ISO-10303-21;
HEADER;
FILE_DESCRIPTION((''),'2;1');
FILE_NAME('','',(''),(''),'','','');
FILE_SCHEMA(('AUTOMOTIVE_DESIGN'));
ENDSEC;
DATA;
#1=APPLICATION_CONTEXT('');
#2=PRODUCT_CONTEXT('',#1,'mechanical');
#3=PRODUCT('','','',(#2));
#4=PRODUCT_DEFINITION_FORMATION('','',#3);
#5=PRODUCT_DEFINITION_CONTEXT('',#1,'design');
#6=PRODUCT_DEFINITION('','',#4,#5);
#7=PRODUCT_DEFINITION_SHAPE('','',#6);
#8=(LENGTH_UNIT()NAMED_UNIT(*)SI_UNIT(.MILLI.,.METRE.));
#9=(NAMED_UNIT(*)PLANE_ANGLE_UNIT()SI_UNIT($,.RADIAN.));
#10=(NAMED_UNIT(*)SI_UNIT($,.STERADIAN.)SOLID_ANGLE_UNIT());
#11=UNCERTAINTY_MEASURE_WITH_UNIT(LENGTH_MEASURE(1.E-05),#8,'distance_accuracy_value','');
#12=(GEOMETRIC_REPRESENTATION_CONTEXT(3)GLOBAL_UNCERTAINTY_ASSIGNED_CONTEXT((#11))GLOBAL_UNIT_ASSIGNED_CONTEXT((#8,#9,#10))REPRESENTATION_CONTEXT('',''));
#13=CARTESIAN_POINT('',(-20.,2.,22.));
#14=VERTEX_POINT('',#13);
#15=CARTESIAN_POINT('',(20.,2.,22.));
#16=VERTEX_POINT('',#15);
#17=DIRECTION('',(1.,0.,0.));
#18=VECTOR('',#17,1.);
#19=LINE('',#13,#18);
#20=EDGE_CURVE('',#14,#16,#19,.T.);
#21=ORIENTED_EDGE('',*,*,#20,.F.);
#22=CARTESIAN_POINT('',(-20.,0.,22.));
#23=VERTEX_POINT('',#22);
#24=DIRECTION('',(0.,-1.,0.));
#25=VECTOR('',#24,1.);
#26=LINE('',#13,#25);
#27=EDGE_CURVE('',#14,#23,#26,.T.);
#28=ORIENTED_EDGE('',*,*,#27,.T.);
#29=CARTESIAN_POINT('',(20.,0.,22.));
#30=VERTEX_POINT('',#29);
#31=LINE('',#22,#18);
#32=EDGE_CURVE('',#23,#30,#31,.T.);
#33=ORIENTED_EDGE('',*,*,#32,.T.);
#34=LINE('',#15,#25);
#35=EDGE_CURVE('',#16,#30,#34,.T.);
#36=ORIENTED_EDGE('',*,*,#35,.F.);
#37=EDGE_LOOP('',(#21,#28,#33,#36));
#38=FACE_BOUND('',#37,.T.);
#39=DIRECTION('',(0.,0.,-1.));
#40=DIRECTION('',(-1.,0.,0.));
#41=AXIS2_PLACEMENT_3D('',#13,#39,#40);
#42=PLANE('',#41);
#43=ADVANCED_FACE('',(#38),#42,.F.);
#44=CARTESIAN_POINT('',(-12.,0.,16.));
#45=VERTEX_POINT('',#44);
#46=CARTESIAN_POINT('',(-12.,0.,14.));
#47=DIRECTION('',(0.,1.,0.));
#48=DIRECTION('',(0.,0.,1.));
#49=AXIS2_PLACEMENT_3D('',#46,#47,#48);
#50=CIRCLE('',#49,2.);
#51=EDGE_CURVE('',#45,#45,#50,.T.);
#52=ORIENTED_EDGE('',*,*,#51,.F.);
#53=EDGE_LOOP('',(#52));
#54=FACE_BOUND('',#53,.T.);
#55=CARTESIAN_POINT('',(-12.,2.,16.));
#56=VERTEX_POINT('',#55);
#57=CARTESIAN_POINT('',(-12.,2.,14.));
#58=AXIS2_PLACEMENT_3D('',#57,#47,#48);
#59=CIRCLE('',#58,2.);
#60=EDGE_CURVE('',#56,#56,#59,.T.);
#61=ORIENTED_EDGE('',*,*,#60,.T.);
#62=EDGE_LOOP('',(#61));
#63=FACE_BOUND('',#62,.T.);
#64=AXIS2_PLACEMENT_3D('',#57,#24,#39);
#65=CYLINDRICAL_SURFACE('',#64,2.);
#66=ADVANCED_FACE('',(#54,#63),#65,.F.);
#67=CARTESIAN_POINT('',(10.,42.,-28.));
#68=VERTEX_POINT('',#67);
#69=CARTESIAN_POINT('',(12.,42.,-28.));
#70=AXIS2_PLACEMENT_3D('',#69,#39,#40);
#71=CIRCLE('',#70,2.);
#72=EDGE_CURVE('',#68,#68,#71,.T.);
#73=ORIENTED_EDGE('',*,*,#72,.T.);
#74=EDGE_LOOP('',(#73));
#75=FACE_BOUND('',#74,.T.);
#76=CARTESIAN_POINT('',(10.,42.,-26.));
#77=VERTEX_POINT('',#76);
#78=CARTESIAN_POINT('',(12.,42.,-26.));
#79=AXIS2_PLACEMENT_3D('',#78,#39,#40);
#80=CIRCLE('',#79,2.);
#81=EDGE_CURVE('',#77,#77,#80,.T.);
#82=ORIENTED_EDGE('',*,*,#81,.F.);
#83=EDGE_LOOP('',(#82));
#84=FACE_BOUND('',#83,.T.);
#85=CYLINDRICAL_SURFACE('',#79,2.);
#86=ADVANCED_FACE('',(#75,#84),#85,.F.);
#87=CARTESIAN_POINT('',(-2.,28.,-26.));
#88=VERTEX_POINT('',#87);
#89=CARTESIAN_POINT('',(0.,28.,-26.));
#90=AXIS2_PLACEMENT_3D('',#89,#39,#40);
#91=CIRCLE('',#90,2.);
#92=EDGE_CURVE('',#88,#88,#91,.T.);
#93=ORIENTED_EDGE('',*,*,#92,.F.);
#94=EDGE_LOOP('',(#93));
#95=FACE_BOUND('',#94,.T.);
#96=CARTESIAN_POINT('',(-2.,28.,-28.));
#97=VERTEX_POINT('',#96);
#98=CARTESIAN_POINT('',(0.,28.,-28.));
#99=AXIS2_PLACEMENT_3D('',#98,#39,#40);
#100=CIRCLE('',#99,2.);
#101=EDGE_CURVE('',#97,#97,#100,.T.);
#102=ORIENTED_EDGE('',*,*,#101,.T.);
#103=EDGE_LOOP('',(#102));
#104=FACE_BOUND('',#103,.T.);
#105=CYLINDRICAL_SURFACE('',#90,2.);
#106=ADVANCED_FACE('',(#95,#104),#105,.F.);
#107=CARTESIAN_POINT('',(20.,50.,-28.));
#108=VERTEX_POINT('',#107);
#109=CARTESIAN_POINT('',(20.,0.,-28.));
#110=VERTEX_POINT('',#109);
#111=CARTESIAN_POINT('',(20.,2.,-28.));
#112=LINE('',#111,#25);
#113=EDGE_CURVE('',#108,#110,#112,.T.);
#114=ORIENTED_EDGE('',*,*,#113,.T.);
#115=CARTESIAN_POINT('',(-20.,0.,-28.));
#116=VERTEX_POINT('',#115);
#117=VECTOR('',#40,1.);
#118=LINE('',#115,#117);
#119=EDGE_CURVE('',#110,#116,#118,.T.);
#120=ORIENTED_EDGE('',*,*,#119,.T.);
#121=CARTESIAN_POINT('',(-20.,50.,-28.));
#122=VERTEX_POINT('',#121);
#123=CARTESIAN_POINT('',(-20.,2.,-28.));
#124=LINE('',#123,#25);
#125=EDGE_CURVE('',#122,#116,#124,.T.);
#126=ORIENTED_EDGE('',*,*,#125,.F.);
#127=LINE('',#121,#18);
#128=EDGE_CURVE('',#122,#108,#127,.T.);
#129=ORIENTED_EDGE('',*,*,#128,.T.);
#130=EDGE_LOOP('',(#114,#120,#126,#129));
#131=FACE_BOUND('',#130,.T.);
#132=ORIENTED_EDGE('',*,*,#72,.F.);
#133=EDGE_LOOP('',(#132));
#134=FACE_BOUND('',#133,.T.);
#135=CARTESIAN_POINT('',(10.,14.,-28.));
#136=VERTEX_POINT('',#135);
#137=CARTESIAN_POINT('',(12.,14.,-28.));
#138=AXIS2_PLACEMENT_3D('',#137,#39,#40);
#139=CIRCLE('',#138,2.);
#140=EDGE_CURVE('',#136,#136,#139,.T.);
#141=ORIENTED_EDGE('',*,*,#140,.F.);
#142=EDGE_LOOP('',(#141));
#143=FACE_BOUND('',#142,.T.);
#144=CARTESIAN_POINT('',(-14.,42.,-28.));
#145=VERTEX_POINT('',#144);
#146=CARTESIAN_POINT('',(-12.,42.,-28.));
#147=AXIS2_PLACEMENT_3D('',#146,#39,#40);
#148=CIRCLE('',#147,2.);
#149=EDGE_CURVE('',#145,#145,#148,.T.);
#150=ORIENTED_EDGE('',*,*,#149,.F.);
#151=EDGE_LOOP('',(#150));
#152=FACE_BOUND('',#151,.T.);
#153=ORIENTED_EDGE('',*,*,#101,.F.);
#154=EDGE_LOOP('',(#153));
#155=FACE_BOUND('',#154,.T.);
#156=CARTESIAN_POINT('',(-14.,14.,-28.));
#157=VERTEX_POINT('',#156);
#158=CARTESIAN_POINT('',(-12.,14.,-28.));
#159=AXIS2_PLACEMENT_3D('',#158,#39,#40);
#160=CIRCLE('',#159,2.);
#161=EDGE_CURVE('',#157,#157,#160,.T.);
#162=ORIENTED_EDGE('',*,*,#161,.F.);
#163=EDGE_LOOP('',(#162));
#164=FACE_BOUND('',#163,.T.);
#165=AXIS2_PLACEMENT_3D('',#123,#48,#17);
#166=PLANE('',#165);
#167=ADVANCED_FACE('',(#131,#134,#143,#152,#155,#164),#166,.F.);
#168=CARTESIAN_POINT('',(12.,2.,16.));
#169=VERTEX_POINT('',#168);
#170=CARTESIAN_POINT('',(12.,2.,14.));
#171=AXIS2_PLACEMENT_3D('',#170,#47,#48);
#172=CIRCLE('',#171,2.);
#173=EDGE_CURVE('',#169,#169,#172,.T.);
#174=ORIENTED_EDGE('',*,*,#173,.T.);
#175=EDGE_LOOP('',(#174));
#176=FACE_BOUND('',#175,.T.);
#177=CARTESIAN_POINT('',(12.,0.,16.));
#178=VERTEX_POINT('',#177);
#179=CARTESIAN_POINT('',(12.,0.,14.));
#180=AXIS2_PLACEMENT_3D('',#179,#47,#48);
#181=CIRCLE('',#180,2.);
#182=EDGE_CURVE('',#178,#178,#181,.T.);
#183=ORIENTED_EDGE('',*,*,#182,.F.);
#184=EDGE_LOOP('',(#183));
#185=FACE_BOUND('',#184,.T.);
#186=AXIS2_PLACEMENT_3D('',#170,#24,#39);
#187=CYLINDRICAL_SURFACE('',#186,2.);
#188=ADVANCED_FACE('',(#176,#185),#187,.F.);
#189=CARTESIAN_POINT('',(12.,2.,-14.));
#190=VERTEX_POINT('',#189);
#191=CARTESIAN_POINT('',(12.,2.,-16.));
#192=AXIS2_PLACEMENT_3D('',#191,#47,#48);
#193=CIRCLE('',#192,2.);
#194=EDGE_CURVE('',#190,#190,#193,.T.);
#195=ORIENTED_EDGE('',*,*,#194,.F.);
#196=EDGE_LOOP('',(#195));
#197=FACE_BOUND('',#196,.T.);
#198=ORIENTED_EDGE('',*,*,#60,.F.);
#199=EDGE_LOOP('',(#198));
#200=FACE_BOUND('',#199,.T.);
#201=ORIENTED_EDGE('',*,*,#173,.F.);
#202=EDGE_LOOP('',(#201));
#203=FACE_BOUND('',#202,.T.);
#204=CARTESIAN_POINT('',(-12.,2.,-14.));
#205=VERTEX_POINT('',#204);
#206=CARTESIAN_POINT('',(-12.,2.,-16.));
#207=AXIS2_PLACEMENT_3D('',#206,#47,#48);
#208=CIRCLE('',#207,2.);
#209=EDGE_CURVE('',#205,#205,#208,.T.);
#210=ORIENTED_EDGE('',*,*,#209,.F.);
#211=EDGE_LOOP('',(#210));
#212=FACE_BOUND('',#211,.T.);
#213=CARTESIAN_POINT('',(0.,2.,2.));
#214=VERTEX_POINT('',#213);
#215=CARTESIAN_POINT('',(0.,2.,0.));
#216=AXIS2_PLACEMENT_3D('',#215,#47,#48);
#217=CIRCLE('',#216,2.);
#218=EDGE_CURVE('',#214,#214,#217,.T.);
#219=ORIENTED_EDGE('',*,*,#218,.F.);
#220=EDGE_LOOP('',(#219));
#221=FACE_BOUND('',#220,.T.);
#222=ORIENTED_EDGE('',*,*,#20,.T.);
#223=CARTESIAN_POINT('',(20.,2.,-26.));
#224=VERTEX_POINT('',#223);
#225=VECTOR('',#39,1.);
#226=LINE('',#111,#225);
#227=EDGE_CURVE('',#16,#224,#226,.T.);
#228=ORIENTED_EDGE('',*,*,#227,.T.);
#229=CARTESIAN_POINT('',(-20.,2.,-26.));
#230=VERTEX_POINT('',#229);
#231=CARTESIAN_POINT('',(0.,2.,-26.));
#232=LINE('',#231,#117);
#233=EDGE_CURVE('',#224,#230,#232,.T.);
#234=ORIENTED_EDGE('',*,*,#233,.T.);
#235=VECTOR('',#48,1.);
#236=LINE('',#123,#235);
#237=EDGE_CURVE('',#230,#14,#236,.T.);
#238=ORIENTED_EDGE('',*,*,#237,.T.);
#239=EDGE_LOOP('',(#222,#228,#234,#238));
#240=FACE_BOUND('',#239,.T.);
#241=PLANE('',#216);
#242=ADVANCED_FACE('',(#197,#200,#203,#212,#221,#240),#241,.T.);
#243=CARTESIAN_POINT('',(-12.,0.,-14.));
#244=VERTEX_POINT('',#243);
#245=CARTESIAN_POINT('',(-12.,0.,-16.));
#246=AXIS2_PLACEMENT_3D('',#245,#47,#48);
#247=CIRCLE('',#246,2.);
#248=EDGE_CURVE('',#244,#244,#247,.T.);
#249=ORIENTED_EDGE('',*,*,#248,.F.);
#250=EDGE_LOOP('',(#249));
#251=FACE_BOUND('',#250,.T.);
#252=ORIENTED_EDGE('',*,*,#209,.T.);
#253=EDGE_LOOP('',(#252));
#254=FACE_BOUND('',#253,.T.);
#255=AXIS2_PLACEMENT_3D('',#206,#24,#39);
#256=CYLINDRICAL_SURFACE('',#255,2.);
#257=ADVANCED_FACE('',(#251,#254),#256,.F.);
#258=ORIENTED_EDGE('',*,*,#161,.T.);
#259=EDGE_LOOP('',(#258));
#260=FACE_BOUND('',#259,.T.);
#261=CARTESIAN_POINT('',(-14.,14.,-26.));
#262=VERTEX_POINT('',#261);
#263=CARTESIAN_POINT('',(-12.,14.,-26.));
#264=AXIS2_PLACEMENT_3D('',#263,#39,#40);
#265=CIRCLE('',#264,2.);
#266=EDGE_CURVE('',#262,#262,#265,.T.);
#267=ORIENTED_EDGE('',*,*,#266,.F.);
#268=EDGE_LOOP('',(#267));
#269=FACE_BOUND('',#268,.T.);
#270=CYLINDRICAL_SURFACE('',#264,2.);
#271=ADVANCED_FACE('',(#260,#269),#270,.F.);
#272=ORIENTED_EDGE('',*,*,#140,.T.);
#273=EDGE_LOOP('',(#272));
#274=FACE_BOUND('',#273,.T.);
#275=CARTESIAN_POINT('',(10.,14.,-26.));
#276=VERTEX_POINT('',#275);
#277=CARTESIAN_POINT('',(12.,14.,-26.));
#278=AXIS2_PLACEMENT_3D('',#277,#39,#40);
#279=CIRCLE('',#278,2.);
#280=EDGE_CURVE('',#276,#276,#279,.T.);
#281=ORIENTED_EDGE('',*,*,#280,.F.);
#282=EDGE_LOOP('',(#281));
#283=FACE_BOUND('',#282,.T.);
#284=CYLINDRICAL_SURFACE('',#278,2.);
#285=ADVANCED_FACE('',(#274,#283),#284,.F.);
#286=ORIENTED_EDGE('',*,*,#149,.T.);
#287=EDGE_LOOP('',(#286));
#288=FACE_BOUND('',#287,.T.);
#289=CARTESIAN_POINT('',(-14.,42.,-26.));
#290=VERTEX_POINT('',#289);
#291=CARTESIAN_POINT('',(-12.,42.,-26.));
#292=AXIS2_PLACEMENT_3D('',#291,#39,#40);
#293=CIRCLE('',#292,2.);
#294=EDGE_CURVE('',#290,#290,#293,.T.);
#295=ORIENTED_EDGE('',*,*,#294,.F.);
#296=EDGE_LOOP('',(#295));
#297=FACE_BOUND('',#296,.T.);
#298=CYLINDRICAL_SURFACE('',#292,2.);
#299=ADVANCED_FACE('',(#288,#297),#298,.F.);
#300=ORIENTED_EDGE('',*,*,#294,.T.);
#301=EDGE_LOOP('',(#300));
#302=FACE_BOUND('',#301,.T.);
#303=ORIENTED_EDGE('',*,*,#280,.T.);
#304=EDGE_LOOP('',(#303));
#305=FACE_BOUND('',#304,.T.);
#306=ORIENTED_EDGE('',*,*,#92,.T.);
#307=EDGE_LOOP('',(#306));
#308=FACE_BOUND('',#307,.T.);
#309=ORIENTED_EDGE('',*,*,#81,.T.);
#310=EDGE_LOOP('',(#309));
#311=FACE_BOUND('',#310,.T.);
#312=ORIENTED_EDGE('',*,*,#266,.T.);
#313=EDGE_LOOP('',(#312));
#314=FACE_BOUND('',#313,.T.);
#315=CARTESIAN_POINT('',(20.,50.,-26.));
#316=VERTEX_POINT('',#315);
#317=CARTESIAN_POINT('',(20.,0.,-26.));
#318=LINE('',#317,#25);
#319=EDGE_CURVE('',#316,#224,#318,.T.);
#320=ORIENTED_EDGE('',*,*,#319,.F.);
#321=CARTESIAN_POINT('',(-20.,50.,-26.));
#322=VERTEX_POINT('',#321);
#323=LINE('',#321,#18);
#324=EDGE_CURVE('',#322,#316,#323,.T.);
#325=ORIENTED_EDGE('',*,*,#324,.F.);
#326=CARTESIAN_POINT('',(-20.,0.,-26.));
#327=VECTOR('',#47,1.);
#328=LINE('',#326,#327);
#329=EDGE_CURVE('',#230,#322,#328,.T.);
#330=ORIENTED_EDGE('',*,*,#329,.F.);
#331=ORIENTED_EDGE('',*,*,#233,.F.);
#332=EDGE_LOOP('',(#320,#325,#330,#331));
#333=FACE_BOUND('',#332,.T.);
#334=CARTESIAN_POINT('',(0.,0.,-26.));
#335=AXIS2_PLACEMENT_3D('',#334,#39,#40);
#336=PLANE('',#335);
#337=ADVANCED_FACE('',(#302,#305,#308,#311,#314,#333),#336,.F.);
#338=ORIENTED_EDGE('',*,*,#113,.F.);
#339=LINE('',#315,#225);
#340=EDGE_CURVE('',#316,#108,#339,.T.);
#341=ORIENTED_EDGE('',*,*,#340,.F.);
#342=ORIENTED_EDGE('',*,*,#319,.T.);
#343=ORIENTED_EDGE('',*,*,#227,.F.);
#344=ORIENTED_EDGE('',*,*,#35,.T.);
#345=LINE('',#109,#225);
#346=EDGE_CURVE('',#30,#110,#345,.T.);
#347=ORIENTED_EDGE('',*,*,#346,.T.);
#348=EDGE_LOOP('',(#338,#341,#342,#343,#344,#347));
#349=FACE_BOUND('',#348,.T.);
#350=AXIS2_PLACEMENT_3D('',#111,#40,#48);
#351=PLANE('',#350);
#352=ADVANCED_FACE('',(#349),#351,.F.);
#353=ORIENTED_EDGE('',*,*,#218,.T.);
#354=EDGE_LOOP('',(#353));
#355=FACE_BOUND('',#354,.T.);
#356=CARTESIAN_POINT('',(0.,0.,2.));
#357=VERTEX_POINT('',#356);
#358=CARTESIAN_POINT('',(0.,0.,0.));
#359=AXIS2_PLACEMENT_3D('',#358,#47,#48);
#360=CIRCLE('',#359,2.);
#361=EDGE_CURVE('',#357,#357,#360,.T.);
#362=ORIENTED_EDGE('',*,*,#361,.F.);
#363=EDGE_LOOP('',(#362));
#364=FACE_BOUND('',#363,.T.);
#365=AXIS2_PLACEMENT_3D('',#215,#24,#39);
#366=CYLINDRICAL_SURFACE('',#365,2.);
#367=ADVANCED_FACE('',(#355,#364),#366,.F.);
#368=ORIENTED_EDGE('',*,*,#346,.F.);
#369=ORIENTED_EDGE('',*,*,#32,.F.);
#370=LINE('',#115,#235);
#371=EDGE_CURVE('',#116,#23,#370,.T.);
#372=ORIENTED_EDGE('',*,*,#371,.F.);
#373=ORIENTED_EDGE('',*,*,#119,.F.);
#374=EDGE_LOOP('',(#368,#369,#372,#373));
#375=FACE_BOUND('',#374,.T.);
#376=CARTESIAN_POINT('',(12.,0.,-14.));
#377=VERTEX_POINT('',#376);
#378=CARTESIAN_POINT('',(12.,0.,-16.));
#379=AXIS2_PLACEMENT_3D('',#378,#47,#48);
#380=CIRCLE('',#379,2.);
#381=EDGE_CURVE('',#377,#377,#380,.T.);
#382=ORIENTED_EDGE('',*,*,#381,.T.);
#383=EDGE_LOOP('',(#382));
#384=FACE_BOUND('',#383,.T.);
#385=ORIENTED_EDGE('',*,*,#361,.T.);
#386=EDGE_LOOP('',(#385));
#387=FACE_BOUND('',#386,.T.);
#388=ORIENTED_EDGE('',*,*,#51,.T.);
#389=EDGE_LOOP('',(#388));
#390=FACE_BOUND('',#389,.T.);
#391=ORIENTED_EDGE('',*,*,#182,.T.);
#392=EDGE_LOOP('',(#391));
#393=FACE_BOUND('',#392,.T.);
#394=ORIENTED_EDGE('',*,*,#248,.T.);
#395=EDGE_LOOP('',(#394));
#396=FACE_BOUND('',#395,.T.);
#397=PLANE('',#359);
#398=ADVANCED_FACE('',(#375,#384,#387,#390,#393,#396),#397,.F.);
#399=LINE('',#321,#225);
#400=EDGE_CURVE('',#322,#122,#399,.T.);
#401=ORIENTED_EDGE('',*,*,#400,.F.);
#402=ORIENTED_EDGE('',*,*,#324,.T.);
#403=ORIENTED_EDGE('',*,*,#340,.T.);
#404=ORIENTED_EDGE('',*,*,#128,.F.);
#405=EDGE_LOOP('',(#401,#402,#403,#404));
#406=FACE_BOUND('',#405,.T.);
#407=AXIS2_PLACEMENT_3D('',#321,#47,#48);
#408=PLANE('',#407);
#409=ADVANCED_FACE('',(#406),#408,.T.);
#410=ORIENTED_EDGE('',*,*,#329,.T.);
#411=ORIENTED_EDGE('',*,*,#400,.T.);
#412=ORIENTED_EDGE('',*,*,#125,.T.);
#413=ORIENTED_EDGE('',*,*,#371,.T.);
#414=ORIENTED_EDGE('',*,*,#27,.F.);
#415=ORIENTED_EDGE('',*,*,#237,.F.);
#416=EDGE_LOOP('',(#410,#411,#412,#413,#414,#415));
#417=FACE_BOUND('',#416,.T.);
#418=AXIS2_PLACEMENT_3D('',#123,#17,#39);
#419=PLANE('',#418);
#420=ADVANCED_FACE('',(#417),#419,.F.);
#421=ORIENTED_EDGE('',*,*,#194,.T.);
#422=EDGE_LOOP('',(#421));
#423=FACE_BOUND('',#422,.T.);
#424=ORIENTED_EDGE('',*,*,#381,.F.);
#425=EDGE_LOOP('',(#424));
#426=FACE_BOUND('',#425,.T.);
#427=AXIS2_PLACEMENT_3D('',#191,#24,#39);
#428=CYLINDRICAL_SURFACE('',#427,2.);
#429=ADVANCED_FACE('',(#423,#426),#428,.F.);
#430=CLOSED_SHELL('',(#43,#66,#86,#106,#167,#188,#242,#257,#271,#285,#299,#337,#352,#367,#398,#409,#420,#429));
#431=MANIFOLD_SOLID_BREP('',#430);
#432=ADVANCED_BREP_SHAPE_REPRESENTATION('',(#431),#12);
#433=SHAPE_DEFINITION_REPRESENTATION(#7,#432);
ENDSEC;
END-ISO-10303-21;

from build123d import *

# Parameters (mm, degrees)
ESQUISSE1_W        = 40
ESQUISSE1_H        = 50
ESQUISSE1_R        = 2
BOSS_EXTRU_1_DEPTH = 2
ESQUISSE4_W        = 40
ESQUISSE4_H        = 50
ESQUISSE4_R        = 2
BOSS_EXTRU_3_DEPTH = 2


with BuildPart() as part:
    # Esquisse1 → Boss.-Extru.1 (new body)
    with BuildSketch(Plane(origin=(0, 0, 0), x_dir=(1, 0, 0), z_dir=(0, 1, 0))):
        with Locations((0, 3)):
            Rectangle(ESQUISSE1_W, ESQUISSE1_H)
        with Locations(Location((0, 0, 0), (0, 0, 270))):
            Circle(ESQUISSE1_R, mode=Mode.SUBTRACT)
        with Locations(Location((-12, -14, 0), (0, 0, 270))):
            Circle(ESQUISSE1_R, mode=Mode.SUBTRACT)
        with Locations(Location((-12, 16, 0), (0, 0, 270))):
            Circle(ESQUISSE1_R, mode=Mode.SUBTRACT)
        with Locations(Location((12, 16, 0), (0, 0, 270))):
            Circle(ESQUISSE1_R, mode=Mode.SUBTRACT)
        with Locations(Location((12, -14, 0), (0, 0, 270))):
            Circle(ESQUISSE1_R, mode=Mode.SUBTRACT)
    extrude(amount=BOSS_EXTRU_1_DEPTH)

    # Esquisse4 → Boss.-Extru.3 (add)
    with BuildSketch(Plane(origin=(0, 0, -28), x_dir=(-1, 0, 0), z_dir=(0, 0, -1))):
        with Locations((0, 25)):
            Rectangle(ESQUISSE4_W, ESQUISSE4_H)
        with Locations((0, 28)):
            Circle(ESQUISSE4_R, mode=Mode.SUBTRACT)
        with Locations((12, 42)):
            Circle(ESQUISSE4_R, mode=Mode.SUBTRACT)
        with Locations((-12, 42)):
            Circle(ESQUISSE4_R, mode=Mode.SUBTRACT)
        with Locations((-12, 14)):
            Circle(ESQUISSE4_R, mode=Mode.SUBTRACT)
        with Locations((12, 14)):
            Circle(ESQUISSE4_R, mode=Mode.SUBTRACT)
    extrude(amount=-BOSS_EXTRU_3_DEPTH)


solid = part.part
